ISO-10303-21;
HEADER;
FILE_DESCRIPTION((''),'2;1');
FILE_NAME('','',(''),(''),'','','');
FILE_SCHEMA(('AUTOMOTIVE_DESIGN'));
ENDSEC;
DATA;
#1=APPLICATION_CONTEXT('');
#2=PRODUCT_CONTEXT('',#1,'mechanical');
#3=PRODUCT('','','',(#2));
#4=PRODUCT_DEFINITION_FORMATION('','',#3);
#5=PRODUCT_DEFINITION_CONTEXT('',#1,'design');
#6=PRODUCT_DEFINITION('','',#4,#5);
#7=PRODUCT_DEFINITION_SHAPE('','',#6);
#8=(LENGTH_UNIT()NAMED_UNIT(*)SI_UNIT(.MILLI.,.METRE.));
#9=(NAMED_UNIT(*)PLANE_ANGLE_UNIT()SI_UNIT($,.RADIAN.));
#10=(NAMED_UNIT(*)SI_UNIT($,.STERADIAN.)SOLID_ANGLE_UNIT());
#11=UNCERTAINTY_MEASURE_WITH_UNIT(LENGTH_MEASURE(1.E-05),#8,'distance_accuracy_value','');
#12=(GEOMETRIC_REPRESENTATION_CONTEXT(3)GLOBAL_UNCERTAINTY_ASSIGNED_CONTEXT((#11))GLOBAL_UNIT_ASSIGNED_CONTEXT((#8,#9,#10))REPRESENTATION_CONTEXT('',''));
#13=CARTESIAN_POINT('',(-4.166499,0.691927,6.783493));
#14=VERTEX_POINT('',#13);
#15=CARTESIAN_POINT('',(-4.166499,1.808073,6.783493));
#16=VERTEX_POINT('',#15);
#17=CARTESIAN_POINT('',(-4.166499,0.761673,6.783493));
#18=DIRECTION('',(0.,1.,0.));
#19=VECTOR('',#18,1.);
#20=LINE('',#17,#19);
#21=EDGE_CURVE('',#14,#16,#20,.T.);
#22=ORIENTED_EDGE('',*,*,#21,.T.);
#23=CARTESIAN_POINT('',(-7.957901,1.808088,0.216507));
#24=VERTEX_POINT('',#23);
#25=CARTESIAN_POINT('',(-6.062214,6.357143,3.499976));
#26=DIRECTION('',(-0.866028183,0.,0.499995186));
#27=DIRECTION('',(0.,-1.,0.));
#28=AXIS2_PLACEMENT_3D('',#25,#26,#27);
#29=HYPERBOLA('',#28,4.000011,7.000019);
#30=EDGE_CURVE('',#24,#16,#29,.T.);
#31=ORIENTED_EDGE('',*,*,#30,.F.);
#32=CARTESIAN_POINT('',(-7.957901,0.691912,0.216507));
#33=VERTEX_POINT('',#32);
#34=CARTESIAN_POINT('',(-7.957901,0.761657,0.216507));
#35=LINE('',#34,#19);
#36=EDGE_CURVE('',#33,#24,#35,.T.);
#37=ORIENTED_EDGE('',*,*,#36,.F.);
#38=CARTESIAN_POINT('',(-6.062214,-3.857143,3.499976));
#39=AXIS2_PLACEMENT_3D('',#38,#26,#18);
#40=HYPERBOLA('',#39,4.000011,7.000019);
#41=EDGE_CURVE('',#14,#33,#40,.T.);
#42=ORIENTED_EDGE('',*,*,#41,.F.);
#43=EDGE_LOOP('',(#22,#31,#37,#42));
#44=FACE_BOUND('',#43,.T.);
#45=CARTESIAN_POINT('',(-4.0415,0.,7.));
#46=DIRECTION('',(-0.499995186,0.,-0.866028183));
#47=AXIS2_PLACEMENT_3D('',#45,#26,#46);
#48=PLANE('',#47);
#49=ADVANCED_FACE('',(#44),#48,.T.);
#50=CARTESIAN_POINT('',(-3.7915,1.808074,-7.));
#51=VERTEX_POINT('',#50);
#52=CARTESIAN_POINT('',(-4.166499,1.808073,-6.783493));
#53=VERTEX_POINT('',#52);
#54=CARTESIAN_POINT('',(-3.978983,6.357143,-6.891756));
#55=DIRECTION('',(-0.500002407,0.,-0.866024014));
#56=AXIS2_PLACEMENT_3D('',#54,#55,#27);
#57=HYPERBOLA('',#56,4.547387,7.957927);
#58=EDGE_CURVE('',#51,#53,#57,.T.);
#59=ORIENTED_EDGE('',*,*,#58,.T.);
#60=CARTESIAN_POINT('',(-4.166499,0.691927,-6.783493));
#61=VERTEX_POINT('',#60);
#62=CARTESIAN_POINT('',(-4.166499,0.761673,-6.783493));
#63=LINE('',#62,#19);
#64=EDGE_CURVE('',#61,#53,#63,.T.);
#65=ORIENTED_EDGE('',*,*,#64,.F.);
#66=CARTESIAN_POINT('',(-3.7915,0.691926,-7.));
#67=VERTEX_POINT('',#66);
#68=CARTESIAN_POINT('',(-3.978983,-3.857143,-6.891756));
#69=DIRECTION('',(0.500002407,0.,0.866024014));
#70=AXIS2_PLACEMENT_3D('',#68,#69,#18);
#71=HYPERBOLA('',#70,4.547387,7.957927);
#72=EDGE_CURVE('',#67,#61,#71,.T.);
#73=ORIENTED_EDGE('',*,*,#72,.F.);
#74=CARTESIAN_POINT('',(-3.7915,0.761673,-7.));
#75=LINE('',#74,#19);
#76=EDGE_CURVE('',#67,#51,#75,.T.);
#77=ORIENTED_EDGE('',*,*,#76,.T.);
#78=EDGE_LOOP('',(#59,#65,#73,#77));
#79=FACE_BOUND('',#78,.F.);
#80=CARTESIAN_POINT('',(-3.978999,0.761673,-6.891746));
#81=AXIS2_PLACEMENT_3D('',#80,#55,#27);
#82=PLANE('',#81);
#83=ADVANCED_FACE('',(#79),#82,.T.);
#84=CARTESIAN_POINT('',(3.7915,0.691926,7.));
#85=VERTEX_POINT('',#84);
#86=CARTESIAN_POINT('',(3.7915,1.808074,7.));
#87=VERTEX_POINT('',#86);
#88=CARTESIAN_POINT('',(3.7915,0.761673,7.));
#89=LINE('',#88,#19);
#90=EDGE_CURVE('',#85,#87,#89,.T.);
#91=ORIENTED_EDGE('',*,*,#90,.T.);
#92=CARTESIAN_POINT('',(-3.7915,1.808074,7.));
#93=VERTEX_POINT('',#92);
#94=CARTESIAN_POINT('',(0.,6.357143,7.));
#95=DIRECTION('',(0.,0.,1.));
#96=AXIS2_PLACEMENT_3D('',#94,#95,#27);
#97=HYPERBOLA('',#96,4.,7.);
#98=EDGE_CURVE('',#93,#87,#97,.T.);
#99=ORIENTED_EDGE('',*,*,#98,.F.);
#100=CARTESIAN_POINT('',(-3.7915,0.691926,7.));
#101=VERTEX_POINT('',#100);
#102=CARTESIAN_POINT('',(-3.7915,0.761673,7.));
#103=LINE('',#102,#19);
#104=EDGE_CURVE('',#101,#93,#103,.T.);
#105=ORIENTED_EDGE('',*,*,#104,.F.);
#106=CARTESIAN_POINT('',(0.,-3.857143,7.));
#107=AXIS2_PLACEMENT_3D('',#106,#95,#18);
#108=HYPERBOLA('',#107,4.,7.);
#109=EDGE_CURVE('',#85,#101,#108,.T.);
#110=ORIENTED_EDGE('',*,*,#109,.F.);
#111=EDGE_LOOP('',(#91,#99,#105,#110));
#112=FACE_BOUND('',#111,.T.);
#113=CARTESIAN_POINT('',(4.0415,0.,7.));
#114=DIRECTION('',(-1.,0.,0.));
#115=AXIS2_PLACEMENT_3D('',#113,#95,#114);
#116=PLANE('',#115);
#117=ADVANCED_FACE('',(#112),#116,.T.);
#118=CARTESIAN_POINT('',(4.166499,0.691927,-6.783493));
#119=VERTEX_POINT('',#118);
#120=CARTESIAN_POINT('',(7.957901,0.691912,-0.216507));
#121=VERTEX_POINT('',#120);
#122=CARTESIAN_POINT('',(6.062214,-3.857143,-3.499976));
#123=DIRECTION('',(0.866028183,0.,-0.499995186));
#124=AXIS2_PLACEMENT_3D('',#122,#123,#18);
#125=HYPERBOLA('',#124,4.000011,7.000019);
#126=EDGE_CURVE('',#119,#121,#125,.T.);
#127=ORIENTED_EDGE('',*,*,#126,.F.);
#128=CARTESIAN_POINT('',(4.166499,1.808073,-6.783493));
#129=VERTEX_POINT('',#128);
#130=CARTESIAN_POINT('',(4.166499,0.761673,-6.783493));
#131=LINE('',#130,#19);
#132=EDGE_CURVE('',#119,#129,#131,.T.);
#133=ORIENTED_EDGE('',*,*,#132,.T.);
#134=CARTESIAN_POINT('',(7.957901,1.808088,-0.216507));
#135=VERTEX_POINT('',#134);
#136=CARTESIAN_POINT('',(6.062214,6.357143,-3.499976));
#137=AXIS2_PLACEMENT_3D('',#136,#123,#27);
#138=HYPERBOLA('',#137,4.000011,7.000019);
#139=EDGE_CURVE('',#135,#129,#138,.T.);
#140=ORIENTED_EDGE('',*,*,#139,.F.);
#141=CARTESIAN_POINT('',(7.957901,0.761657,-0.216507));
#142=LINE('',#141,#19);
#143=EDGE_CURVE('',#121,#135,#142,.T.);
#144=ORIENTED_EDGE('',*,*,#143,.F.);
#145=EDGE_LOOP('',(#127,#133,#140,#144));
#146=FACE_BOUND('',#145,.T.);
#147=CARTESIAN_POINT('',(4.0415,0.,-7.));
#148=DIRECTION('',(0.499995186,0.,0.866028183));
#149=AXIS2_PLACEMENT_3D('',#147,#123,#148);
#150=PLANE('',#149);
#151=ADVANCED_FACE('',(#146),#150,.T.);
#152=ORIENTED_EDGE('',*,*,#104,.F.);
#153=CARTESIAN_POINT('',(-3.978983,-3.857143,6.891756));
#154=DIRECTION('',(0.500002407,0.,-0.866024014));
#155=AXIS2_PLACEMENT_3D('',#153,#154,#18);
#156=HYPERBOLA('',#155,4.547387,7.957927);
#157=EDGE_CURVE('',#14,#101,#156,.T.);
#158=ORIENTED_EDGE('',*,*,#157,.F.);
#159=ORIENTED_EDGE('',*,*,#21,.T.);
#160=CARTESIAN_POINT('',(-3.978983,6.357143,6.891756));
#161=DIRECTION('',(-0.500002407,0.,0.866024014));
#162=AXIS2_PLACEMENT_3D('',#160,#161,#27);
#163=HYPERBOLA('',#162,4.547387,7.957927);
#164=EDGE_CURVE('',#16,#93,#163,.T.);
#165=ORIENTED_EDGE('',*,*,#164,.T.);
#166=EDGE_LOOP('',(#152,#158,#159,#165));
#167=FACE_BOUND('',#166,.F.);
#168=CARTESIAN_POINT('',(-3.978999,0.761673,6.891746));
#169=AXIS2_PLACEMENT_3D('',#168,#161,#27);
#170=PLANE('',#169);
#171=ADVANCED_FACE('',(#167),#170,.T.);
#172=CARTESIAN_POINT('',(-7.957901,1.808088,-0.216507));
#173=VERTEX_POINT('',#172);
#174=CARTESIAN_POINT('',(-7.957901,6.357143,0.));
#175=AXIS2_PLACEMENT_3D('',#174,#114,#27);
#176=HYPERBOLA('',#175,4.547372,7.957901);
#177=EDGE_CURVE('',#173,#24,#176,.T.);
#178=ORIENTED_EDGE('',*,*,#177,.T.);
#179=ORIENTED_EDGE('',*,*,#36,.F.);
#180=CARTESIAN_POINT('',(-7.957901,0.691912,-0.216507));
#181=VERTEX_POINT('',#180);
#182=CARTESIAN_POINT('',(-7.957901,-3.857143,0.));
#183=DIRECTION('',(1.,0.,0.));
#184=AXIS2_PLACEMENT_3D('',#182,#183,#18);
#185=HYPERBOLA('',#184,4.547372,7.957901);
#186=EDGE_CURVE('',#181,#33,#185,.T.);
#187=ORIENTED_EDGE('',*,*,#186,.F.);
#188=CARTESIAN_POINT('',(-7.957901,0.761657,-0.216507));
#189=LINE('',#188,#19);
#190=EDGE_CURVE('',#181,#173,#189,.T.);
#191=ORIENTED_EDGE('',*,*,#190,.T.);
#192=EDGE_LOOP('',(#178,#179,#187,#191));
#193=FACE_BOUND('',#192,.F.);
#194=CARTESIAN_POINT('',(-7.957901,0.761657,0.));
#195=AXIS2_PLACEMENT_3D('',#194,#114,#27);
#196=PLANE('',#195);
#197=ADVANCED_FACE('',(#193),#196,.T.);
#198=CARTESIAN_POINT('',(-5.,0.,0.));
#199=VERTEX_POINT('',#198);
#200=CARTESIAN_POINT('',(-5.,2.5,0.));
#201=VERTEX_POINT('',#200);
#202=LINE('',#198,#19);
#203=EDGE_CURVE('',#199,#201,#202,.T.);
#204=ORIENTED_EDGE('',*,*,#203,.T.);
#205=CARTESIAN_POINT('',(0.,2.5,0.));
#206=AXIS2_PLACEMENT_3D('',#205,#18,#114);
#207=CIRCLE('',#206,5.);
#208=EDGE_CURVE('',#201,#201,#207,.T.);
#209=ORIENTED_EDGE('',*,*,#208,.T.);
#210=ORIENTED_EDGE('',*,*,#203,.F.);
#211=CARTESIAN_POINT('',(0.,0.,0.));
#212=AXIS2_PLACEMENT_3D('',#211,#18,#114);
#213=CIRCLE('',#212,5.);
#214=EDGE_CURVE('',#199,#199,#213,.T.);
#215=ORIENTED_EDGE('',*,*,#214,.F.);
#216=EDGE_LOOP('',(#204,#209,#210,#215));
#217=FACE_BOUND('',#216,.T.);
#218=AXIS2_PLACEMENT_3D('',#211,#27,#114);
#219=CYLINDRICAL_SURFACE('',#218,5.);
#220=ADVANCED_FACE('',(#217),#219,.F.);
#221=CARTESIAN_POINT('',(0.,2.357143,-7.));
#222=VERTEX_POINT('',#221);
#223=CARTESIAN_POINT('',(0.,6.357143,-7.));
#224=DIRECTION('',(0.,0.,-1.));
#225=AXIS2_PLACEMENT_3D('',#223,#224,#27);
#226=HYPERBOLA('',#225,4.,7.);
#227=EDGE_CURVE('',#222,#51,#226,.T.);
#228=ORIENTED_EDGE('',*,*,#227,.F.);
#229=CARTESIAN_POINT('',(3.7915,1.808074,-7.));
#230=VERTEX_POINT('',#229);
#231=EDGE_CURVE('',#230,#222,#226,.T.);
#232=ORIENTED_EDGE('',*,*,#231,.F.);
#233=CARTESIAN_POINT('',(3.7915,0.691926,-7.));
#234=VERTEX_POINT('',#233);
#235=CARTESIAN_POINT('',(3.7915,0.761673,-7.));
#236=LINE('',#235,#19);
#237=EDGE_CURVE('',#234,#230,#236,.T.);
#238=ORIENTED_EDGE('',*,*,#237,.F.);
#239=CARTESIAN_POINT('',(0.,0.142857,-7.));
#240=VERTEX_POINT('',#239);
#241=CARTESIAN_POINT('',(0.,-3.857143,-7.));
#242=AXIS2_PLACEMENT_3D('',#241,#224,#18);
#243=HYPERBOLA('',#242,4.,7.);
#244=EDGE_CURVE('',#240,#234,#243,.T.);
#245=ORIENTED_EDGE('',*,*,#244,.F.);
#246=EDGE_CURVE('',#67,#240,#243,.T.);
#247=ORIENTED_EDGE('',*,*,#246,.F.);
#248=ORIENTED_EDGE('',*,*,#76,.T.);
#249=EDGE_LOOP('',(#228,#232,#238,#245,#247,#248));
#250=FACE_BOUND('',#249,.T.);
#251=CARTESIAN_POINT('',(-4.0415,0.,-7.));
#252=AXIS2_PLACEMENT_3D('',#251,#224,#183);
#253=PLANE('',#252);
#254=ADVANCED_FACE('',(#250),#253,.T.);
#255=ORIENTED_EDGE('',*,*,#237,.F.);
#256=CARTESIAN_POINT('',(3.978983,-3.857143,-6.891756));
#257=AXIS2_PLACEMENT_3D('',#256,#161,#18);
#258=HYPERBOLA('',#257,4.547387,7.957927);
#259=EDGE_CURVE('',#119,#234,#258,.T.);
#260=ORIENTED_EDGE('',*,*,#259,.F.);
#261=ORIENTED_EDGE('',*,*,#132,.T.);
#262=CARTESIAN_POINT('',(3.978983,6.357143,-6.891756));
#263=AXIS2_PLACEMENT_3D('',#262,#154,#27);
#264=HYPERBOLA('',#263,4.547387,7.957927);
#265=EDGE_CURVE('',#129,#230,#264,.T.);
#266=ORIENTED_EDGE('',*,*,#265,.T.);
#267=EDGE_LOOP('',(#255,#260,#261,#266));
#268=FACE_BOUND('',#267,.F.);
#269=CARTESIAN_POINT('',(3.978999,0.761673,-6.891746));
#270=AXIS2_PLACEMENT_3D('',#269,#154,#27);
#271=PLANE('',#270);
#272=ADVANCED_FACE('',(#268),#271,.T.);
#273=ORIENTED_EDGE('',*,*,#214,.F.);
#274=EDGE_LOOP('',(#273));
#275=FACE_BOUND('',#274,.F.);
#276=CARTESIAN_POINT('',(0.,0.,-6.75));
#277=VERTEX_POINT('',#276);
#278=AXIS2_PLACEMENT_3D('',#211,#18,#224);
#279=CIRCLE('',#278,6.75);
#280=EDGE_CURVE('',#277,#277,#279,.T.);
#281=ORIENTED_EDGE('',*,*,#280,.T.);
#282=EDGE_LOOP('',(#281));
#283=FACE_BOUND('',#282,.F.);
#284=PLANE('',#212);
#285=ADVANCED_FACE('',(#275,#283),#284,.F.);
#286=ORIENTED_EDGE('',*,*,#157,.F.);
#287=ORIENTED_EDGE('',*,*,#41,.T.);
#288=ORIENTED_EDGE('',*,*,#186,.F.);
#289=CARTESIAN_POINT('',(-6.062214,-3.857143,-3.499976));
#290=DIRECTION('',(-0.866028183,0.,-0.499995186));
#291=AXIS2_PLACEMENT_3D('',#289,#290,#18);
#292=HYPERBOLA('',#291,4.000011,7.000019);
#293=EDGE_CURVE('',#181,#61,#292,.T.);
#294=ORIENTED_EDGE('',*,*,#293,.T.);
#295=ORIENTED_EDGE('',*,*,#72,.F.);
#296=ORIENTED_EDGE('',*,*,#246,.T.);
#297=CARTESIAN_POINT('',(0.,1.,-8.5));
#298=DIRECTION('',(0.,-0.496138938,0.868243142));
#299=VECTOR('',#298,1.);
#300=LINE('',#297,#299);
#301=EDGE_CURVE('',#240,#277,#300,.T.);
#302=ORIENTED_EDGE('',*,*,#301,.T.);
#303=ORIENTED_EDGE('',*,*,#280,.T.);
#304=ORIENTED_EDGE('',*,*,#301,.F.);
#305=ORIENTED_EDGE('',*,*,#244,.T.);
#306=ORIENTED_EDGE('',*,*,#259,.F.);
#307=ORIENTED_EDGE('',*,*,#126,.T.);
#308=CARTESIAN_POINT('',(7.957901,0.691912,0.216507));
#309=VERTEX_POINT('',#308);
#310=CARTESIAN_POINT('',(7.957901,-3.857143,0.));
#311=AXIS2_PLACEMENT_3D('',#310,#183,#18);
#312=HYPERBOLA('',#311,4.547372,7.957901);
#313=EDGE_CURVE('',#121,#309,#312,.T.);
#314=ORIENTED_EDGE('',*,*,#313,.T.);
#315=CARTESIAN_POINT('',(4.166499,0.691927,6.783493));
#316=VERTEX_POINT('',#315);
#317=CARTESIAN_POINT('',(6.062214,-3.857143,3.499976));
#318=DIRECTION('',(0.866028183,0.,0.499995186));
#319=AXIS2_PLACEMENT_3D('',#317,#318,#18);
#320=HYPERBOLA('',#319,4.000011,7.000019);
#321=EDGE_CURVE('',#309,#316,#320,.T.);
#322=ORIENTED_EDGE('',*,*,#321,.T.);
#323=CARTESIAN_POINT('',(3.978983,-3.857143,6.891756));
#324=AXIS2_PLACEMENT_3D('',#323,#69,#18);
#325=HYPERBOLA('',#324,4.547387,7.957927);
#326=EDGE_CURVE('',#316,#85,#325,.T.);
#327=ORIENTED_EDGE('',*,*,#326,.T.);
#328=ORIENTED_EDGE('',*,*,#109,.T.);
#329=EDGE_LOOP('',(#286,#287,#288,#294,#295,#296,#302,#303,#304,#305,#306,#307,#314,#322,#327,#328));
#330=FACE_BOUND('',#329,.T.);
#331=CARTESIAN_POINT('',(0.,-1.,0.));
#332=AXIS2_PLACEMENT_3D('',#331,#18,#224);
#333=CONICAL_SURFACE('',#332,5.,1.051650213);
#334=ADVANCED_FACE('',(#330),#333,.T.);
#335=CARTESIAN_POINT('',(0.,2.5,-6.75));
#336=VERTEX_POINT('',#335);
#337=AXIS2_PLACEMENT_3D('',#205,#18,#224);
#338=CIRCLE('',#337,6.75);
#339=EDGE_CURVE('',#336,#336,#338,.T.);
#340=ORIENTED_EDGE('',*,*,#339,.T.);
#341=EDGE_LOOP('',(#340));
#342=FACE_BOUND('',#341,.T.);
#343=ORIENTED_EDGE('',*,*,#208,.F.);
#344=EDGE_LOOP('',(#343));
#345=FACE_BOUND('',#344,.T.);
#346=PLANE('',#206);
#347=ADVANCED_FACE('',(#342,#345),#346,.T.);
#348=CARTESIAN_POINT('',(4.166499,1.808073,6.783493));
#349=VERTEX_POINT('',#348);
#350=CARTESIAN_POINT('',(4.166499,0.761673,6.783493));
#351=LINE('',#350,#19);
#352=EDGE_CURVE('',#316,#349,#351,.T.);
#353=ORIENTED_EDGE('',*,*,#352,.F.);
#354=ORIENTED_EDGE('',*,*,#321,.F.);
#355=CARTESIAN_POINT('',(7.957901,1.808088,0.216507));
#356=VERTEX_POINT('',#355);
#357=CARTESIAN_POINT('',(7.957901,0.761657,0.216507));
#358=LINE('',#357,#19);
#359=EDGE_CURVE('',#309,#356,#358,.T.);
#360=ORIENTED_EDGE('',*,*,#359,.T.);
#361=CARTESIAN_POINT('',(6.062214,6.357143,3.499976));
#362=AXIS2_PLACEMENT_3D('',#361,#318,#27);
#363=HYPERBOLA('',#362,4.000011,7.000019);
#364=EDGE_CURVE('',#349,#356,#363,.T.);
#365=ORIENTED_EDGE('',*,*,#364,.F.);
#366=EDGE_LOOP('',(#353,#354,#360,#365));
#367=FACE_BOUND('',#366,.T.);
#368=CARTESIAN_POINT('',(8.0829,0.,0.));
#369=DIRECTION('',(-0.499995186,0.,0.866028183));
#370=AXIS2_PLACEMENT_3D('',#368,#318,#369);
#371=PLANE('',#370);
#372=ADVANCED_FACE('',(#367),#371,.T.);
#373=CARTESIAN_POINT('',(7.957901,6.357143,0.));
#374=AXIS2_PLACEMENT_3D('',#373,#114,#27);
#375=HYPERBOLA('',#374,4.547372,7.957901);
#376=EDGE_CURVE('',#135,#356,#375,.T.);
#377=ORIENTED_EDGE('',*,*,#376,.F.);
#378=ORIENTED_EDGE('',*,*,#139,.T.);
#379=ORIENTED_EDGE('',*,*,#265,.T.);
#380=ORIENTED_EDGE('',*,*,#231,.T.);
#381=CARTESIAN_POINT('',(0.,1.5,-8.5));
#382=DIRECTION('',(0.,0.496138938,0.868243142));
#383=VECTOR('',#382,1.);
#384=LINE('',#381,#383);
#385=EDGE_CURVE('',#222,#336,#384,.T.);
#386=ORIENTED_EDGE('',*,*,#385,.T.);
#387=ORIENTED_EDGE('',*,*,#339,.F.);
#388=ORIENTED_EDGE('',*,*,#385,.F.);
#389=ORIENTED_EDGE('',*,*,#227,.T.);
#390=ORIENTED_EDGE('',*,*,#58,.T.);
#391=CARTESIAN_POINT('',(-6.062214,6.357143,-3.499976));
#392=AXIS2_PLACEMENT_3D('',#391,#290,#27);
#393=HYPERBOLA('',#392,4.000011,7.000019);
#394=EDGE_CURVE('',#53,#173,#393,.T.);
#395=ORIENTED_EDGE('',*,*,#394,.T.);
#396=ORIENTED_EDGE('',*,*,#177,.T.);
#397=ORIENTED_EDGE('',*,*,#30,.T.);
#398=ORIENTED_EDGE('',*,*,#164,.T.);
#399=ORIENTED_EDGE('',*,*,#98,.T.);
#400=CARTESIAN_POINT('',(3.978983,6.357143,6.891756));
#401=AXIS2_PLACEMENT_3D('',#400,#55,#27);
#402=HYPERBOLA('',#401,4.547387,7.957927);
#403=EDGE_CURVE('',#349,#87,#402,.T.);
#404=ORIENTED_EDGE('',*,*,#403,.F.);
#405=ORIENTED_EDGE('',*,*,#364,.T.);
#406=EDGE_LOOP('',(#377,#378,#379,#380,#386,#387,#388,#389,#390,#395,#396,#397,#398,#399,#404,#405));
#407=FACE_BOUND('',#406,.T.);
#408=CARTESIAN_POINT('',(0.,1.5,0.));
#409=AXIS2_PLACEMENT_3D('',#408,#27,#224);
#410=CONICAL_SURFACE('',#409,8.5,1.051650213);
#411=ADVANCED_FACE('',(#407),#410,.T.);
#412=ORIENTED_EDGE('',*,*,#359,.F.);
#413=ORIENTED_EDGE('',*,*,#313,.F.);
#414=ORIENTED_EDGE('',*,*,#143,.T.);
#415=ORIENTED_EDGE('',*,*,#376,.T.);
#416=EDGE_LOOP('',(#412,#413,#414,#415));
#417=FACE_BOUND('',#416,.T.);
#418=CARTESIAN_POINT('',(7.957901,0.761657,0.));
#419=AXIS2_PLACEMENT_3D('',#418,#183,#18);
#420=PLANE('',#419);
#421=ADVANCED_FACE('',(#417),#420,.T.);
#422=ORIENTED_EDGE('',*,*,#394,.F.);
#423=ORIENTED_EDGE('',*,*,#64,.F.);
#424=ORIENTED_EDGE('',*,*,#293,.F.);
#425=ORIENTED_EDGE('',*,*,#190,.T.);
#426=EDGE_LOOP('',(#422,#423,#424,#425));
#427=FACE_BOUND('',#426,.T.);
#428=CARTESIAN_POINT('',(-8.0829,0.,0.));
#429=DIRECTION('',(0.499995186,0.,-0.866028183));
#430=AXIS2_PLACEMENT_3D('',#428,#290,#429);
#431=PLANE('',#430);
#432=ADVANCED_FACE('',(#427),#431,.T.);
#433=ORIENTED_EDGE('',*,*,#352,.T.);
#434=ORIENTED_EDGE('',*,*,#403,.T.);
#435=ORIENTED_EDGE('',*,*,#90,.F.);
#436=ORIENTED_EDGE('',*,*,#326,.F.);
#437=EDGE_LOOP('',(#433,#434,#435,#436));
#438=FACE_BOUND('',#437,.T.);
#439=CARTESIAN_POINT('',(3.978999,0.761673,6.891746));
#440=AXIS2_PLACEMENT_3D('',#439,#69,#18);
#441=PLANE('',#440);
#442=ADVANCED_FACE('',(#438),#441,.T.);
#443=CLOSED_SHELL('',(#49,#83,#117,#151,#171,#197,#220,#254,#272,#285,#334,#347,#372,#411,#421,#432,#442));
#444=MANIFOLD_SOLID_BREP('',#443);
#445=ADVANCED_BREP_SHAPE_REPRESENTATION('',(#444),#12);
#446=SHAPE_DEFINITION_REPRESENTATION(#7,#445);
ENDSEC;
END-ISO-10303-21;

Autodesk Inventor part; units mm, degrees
ref_plane "YZ Plane" through (0, 0, 0) normal (1, 0, 0) x (0, 1, 0)
ref_plane "XZ Plane" through (0, 0, 0) normal (0, 1, 0) x (-1, 0, 0)
ref_plane "XY Plane" through (0, 0, 0) normal (0, 0, 1) x (1, 0, 0)
sketch "Sketch1" plane through (0, 0, 0) normal (0, 1, 0) x (-1, 0, 0)
  line L0 (-4.0415, -7) -> (-8.0829, 0)
  line L1 (-8.0829, 0) -> (-4.0415, 7)
  line L2 (-4.0415, 7) -> (4.0415, 7)
  line L3 (4.0415, 7) -> (8.0829, 0)
  line L4 (8.0829, 0) -> (4.0415, -7)
  line L5 (4.0415, -7) -> (-4.0415, -7)
  circle A0 centre (0, 0) radius 5
  dimension "d0" = 14
  dimension "d1" = 10
extrude "Extrusion1" add sketch "Sketch1" along normal blind 2.5
thread "Thread1" size "M10x0.75" class "6H" standard "ANSI Metric M Profile" full length
sketch "Sketch3" plane through (0, 0, 0) normal (1, 0, 0) x (0, 1, 0)
  line L0 (3.5, -5) -> (3.5, -9)
  line L1 (3.5, -9) -> (-1, -9)
  line L2 (2.5, -7) -> (2.5, 0) projected
  line L3 (0, -7) -> (2.5, -7) projected
  line L4 (0, 0) -> (10, 0) construction
  line L5 (-1, -9) -> (-1, -5)
  line L6 (-1, -5) -> (1, -8.5)
  line L7 (1, -8.5) -> (1.5, -8.5)
  line L8 (1.5, -8.5) -> (3.5, -5)
  line L9 (0, 0) -> (0, -7) projected
  dimension "d7" = 1
  dimension "d8" = 4
  dimension "d9" = 2
  dimension "d11" = 10
  dimension "d14" = 0.5
  dimension "d15" = 1
  dimension "d16" = 0.5
  dimension "d17" = 4
  dimension "d18" = 1
revolve "Revolution1" cut sketch "Sketch3" angle 360 about axis through (0, 0, 0) along (0, 1, 0) contours L0 L1 L5 L6 L9 L3 L7 L8 L2 | L2 L3 L8 | L3 L9 L6
chamfer "Chamfer1" distance 0.25 angle 45 6 edges at (-8.0829, 1.25, 0) (-4.0415, 1.25, -7) (4.0415, 1.25, -7) (8.0829, 1.25, 0) (4.0415, 1.25, 7) (-4.0415, 1.25, 7)
equation "\"d17\" = d8"
properties part number "4024-86" material "Brass"
